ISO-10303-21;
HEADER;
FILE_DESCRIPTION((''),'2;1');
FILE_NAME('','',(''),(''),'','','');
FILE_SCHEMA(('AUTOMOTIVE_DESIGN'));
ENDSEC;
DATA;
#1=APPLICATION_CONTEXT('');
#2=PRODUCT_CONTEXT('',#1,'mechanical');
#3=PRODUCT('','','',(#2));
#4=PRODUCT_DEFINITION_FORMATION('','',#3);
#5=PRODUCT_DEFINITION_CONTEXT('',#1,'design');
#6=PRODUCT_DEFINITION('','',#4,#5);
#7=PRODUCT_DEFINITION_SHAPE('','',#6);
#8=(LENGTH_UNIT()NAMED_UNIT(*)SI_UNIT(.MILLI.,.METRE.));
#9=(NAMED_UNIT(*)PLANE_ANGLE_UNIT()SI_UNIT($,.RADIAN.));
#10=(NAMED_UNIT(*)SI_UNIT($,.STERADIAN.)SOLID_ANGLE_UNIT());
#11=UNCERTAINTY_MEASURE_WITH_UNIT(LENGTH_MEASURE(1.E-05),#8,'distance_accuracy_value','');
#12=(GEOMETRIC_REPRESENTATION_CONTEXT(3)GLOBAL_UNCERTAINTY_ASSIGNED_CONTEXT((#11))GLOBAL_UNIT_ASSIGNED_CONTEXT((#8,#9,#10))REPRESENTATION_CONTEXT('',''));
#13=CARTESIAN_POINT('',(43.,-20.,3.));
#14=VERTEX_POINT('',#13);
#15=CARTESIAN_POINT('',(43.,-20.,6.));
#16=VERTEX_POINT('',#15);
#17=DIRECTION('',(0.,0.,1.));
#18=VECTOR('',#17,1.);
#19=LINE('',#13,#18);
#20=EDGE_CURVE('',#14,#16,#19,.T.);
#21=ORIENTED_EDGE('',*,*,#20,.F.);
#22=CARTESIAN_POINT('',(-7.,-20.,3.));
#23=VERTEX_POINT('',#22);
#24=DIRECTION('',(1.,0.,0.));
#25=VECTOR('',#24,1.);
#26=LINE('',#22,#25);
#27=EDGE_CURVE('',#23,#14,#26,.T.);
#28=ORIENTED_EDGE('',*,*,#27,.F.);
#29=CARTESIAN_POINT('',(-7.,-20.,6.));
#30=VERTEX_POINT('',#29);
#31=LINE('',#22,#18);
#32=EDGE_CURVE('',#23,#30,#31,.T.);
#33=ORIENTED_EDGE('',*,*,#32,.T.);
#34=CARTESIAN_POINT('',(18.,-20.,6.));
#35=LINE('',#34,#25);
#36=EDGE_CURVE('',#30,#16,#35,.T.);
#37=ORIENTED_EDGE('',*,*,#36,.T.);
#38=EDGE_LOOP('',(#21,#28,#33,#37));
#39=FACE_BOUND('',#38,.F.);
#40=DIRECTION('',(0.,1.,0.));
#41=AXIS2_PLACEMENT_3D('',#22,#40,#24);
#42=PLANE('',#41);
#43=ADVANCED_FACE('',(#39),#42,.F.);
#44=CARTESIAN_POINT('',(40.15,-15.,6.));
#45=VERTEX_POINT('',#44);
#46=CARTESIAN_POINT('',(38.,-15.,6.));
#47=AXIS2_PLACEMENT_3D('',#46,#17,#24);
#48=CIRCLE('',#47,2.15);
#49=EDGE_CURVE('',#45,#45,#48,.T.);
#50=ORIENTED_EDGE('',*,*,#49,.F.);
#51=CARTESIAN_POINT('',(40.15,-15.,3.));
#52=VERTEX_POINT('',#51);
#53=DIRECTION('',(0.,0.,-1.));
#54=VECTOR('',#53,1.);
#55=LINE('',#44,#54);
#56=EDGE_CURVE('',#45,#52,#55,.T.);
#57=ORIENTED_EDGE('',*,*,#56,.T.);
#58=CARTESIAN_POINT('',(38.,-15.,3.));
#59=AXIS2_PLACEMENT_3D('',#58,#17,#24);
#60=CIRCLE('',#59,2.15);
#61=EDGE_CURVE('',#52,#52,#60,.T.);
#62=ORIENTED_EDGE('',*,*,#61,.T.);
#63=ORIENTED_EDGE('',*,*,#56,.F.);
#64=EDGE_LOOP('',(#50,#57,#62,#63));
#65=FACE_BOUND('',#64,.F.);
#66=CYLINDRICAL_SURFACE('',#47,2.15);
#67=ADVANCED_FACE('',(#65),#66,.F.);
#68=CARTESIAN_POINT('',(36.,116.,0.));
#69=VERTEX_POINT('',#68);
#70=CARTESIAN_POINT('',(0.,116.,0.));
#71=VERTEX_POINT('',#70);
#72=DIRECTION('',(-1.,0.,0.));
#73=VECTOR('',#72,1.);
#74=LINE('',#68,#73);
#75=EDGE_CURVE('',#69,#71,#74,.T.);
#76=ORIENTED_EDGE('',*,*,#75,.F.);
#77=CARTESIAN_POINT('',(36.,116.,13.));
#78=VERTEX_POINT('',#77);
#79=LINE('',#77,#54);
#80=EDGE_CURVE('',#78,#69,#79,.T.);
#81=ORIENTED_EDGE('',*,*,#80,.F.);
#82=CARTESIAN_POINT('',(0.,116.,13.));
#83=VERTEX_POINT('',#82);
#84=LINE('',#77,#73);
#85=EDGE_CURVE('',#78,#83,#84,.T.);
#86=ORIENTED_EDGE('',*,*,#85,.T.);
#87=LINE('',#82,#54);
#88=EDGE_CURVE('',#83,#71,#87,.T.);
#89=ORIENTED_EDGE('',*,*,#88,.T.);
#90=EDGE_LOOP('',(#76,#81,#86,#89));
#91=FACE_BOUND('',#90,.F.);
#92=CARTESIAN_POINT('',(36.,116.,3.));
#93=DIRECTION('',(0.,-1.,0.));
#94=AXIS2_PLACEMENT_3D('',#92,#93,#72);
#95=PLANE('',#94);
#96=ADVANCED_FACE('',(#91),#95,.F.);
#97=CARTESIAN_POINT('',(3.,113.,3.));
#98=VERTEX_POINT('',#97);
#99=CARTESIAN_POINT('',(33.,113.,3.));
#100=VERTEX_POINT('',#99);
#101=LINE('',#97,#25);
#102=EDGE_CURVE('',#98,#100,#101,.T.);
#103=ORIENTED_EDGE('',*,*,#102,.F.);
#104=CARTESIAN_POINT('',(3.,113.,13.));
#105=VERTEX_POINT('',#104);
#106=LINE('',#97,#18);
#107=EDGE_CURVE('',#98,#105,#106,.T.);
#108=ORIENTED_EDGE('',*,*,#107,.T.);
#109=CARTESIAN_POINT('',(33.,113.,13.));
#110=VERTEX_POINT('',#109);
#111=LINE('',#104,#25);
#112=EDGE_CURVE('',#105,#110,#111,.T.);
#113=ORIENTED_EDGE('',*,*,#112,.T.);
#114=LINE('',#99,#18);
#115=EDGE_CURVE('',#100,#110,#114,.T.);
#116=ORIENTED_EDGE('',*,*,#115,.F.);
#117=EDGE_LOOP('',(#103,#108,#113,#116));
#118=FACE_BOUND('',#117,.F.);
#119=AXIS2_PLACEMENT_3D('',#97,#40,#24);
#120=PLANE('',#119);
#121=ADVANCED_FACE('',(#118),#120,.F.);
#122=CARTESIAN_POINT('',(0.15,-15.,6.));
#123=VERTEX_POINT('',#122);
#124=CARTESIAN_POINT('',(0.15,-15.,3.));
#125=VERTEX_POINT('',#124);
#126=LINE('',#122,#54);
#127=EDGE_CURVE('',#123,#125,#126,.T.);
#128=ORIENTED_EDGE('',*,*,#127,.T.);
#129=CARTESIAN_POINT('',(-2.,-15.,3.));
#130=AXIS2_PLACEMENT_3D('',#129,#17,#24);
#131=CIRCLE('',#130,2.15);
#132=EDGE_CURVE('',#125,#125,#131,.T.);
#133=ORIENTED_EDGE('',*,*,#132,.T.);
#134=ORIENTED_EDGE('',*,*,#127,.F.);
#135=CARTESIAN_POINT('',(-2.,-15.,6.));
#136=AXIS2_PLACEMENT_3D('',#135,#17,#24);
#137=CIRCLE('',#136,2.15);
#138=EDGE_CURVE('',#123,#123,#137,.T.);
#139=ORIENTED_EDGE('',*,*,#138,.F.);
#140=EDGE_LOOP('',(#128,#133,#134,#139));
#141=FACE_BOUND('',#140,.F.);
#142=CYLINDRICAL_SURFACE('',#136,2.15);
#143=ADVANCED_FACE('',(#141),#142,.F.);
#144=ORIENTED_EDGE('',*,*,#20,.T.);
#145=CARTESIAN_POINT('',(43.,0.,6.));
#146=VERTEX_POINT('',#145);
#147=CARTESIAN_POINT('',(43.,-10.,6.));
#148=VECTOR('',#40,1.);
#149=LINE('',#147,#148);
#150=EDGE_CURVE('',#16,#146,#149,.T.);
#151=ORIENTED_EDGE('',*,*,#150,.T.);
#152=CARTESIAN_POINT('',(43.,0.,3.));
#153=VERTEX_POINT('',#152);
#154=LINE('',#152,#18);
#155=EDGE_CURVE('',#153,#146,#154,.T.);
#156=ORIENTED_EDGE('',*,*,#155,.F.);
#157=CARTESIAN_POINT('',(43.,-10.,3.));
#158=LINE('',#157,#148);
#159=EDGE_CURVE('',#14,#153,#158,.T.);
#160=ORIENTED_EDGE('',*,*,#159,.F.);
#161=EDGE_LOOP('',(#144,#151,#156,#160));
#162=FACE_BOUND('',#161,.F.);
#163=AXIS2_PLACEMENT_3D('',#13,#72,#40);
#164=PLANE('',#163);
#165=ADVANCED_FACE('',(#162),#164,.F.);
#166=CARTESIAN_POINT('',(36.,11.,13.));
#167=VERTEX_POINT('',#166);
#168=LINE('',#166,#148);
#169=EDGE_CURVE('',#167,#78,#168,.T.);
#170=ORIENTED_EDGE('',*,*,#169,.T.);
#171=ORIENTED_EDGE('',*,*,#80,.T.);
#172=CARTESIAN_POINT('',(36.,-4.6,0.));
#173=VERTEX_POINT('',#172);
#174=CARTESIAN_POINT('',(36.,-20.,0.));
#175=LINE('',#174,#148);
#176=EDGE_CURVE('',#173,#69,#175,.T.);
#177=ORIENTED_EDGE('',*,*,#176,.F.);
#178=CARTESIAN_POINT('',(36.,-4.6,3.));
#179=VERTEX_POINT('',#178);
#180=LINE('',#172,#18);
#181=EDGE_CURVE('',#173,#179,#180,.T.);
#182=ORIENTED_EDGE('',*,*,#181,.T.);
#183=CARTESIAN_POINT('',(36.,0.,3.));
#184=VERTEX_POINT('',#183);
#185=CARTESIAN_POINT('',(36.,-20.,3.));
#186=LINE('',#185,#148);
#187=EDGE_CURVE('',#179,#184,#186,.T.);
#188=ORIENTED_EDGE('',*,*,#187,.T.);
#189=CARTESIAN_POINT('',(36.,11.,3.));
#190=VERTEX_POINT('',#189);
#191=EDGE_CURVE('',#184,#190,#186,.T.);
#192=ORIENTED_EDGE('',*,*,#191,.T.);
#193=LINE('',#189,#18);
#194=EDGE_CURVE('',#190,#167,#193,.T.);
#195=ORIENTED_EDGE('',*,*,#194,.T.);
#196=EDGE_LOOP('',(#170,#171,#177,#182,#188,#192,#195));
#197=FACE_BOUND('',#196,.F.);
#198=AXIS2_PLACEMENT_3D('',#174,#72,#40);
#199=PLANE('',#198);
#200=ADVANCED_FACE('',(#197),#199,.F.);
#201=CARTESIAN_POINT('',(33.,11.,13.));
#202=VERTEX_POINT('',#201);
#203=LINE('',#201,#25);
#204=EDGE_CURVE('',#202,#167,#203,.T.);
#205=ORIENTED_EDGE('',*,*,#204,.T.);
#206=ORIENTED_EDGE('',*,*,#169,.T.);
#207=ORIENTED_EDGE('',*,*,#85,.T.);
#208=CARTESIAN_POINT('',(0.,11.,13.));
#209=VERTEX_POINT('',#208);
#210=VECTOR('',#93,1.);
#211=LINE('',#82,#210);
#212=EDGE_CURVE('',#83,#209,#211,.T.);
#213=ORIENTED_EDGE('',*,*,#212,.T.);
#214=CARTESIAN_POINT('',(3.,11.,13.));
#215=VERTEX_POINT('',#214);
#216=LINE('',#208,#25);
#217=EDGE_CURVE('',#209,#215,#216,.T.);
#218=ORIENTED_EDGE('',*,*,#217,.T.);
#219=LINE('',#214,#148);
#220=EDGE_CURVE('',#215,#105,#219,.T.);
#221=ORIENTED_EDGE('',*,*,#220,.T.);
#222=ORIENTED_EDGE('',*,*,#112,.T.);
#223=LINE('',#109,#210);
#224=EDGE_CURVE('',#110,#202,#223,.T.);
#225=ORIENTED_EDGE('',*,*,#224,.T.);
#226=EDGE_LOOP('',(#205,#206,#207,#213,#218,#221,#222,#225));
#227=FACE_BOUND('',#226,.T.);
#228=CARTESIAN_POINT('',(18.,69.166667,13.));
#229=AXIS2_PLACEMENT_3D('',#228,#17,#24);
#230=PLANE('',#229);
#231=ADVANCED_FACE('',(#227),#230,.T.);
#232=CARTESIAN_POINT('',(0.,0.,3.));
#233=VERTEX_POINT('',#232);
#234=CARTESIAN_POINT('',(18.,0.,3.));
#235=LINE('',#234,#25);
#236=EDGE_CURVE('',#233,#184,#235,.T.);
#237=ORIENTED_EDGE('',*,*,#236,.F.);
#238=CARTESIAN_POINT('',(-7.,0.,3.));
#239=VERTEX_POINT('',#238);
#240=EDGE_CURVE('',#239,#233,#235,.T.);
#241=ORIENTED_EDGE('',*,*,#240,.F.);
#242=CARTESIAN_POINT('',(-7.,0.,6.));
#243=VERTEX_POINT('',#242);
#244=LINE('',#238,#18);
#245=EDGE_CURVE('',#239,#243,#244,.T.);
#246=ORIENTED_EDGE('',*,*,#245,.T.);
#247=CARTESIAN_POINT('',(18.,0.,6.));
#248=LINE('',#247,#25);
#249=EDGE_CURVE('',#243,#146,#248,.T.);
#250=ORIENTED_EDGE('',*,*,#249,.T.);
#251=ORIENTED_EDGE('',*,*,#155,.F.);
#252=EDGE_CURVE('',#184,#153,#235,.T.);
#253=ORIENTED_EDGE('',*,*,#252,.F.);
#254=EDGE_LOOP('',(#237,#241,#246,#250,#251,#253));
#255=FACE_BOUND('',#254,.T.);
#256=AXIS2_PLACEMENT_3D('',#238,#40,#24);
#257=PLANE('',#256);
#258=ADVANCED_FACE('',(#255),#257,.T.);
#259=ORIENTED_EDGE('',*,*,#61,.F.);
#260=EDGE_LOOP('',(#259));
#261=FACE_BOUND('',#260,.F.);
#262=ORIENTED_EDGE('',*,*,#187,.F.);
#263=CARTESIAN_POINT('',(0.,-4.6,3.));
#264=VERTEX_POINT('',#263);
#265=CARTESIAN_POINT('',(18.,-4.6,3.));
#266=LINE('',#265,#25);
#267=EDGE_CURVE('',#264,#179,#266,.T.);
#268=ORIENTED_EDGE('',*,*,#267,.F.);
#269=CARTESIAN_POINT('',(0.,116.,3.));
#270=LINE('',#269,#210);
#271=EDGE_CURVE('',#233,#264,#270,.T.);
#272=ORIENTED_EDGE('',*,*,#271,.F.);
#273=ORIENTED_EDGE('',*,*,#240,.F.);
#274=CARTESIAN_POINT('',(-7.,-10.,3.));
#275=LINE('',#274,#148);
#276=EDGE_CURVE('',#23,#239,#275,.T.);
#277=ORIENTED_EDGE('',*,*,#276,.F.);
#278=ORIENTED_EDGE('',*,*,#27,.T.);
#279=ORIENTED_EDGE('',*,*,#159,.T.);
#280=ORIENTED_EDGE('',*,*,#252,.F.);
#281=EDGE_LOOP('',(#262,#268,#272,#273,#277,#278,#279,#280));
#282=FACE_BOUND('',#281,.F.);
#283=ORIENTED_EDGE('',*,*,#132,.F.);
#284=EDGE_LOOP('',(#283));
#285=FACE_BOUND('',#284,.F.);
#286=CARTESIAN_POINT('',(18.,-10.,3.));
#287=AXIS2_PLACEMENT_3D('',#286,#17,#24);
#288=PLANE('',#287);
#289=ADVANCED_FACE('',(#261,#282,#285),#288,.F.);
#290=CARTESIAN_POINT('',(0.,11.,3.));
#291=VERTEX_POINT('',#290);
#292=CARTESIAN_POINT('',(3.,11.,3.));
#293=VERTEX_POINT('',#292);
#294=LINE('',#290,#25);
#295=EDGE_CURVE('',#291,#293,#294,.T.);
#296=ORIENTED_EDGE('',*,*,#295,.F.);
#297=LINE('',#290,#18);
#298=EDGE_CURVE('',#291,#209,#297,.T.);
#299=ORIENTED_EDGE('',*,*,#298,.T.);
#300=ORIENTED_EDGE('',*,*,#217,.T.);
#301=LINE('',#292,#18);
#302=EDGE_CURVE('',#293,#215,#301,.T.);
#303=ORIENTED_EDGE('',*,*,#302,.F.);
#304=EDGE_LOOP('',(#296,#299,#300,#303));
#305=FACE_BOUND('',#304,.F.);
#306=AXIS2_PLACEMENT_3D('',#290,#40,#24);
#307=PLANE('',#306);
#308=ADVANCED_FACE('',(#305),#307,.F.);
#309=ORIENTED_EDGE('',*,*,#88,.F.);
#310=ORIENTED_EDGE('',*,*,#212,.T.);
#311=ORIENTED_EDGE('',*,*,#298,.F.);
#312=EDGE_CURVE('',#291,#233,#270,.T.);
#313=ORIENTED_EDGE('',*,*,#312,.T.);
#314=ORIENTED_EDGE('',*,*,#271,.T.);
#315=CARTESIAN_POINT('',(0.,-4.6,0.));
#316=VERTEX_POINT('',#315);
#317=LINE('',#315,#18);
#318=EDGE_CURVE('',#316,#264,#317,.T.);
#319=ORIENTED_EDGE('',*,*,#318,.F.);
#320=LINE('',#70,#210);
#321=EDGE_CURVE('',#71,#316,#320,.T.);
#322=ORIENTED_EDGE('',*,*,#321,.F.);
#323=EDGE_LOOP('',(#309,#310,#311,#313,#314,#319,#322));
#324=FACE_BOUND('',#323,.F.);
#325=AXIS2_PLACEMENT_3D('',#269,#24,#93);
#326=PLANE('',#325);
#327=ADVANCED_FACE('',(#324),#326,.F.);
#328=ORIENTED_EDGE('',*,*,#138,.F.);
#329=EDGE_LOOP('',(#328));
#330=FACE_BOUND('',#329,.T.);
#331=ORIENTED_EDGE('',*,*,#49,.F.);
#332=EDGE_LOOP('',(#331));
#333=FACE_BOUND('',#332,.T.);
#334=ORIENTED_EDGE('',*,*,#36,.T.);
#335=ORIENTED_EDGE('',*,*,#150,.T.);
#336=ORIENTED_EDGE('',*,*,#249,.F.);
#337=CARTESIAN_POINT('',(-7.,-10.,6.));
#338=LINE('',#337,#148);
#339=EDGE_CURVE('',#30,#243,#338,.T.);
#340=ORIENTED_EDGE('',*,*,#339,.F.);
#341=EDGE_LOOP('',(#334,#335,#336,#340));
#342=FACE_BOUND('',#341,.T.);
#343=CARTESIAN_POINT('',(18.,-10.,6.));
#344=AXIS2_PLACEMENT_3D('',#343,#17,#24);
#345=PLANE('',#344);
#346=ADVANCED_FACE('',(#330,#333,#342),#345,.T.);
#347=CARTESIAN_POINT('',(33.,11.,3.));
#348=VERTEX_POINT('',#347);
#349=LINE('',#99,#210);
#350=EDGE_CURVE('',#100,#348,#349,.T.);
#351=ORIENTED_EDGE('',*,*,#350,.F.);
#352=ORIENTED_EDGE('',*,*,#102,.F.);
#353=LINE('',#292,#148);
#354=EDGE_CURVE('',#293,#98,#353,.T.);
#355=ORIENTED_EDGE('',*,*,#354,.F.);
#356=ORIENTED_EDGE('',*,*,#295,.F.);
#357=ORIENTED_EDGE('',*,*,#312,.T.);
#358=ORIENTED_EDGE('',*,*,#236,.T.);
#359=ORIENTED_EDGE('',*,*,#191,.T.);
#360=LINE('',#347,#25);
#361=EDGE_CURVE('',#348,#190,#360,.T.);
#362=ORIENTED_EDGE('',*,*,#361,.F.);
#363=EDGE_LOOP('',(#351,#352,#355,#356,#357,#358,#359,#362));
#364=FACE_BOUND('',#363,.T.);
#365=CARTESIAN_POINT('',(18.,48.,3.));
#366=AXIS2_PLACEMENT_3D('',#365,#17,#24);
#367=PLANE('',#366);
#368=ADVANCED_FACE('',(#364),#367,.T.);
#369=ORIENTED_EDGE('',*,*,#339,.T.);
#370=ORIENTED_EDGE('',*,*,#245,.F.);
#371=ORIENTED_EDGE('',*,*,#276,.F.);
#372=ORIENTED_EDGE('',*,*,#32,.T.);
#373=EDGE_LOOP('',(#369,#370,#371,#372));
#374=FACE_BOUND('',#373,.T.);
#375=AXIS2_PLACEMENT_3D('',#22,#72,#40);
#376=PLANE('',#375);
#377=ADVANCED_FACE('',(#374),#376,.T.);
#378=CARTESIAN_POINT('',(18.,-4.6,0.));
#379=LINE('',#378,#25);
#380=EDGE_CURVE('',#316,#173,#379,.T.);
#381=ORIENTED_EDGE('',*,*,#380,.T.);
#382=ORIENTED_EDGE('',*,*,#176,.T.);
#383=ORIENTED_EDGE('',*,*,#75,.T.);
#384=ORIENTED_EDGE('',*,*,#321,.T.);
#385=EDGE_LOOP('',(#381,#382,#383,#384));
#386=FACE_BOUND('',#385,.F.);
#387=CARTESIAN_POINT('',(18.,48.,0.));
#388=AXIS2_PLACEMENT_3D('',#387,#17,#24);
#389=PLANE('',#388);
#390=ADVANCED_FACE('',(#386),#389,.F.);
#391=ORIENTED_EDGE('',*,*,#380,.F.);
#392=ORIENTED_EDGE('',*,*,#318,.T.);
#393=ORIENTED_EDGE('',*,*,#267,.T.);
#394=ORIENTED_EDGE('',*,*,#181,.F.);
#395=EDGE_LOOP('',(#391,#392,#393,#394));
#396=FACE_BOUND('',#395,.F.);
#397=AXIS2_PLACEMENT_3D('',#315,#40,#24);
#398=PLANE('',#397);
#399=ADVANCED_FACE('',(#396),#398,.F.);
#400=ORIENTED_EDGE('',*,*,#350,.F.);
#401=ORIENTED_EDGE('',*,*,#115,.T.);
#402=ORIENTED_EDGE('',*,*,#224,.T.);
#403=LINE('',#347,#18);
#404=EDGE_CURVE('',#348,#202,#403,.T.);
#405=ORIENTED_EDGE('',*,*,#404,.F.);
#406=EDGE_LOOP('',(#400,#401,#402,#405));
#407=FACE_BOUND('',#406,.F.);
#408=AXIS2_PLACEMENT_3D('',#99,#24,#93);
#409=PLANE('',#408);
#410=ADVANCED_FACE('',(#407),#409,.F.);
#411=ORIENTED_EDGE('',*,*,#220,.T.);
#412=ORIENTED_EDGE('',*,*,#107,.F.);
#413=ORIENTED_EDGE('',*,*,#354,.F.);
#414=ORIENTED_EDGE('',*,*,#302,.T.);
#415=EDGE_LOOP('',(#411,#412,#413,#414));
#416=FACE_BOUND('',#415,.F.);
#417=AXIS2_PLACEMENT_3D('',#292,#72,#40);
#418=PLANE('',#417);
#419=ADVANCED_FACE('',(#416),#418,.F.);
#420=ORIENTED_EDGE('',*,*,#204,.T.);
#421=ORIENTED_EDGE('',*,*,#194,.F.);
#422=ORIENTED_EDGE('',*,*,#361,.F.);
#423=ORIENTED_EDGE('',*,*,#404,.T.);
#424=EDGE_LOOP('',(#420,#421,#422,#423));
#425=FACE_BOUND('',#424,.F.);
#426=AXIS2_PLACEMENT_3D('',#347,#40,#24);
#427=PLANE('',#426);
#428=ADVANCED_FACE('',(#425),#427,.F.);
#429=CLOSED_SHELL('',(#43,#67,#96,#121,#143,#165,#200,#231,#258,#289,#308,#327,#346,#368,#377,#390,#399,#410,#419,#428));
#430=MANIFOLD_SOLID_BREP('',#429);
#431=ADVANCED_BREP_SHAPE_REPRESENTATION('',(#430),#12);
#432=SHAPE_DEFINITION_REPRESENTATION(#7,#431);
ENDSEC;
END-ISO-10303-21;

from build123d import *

# Parameters (mm, degrees)
PAD_DEPTH       = 3
PAD001_DEPTH    = 10
SKETCH002_W     = 50
SKETCH002_H     = 20
PAD002_DEPTH    = 3
SKETCH003_R     = 2.15
POCKET_DEPTH    = 5
SKETCH004_W     = 36
SKETCH004_H     = 15
POCKET001_DEPTH = 3
SKETCH005_W     = 36
SKETCH005_H     = 0.4
POCKET002_DEPTH = 3


with BuildPart() as part:
    # Sketch → Pad (new body)
    with BuildSketch(Plane.XY):
        Polygon((0, 116), (0, 0), (0, -20), (36, -20), (36, 0), (36, 116), align=None)
    extrude(amount=PAD_DEPTH)

    # Sketch001 (on Face4 of Pad) → Pad001 (join)
    with BuildSketch(Plane.XY.offset(3)):
        Polygon((0, 11), (3, 11), (3, 113), (33, 113), (33, 11), (36, 11), (36, 116), (0, 116), align=None)
    extrude(amount=PAD001_DEPTH)

    # Sketch002 (on Face3 of Pad001) → Pad002 (join)
    with BuildSketch(Plane.XY.offset(3)):
        with Locations((18, -10)):
            Rectangle(SKETCH002_W, SKETCH002_H)
    extrude(amount=PAD002_DEPTH)

    # Sketch003 (on Face13 of Pad002) → Pocket (cut)
    with BuildSketch(Plane.XY.offset(6)):
        with Locations((-2, -15)):
            Circle(SKETCH003_R)
        with Locations((38, -15)):
            Circle(SKETCH003_R)
    extrude(amount=-POCKET_DEPTH, mode=Mode.SUBTRACT)

    # Sketch004 (on Face10 of Pocket) → Pocket001 (cut)
    with BuildSketch(Plane(origin=(0, 0, 0), x_dir=(1, 0, 0), z_dir=(0, 0, -1))):
        with Locations((18, 12.5)):
            Rectangle(SKETCH004_W, SKETCH004_H)
    extrude(amount=-POCKET001_DEPTH, mode=Mode.SUBTRACT)

    # Sketch005 (on Face7 of Pocket001) → Pocket002 (cut)
    with BuildSketch(Plane(origin=(0, 0, 0), x_dir=(1, 0, 0), z_dir=(0, 0, -1))):
        with Locations((18, 4.8)):
            Rectangle(SKETCH005_W, SKETCH005_H)
    extrude(amount=-POCKET002_DEPTH, mode=Mode.SUBTRACT)


solid = part.part
